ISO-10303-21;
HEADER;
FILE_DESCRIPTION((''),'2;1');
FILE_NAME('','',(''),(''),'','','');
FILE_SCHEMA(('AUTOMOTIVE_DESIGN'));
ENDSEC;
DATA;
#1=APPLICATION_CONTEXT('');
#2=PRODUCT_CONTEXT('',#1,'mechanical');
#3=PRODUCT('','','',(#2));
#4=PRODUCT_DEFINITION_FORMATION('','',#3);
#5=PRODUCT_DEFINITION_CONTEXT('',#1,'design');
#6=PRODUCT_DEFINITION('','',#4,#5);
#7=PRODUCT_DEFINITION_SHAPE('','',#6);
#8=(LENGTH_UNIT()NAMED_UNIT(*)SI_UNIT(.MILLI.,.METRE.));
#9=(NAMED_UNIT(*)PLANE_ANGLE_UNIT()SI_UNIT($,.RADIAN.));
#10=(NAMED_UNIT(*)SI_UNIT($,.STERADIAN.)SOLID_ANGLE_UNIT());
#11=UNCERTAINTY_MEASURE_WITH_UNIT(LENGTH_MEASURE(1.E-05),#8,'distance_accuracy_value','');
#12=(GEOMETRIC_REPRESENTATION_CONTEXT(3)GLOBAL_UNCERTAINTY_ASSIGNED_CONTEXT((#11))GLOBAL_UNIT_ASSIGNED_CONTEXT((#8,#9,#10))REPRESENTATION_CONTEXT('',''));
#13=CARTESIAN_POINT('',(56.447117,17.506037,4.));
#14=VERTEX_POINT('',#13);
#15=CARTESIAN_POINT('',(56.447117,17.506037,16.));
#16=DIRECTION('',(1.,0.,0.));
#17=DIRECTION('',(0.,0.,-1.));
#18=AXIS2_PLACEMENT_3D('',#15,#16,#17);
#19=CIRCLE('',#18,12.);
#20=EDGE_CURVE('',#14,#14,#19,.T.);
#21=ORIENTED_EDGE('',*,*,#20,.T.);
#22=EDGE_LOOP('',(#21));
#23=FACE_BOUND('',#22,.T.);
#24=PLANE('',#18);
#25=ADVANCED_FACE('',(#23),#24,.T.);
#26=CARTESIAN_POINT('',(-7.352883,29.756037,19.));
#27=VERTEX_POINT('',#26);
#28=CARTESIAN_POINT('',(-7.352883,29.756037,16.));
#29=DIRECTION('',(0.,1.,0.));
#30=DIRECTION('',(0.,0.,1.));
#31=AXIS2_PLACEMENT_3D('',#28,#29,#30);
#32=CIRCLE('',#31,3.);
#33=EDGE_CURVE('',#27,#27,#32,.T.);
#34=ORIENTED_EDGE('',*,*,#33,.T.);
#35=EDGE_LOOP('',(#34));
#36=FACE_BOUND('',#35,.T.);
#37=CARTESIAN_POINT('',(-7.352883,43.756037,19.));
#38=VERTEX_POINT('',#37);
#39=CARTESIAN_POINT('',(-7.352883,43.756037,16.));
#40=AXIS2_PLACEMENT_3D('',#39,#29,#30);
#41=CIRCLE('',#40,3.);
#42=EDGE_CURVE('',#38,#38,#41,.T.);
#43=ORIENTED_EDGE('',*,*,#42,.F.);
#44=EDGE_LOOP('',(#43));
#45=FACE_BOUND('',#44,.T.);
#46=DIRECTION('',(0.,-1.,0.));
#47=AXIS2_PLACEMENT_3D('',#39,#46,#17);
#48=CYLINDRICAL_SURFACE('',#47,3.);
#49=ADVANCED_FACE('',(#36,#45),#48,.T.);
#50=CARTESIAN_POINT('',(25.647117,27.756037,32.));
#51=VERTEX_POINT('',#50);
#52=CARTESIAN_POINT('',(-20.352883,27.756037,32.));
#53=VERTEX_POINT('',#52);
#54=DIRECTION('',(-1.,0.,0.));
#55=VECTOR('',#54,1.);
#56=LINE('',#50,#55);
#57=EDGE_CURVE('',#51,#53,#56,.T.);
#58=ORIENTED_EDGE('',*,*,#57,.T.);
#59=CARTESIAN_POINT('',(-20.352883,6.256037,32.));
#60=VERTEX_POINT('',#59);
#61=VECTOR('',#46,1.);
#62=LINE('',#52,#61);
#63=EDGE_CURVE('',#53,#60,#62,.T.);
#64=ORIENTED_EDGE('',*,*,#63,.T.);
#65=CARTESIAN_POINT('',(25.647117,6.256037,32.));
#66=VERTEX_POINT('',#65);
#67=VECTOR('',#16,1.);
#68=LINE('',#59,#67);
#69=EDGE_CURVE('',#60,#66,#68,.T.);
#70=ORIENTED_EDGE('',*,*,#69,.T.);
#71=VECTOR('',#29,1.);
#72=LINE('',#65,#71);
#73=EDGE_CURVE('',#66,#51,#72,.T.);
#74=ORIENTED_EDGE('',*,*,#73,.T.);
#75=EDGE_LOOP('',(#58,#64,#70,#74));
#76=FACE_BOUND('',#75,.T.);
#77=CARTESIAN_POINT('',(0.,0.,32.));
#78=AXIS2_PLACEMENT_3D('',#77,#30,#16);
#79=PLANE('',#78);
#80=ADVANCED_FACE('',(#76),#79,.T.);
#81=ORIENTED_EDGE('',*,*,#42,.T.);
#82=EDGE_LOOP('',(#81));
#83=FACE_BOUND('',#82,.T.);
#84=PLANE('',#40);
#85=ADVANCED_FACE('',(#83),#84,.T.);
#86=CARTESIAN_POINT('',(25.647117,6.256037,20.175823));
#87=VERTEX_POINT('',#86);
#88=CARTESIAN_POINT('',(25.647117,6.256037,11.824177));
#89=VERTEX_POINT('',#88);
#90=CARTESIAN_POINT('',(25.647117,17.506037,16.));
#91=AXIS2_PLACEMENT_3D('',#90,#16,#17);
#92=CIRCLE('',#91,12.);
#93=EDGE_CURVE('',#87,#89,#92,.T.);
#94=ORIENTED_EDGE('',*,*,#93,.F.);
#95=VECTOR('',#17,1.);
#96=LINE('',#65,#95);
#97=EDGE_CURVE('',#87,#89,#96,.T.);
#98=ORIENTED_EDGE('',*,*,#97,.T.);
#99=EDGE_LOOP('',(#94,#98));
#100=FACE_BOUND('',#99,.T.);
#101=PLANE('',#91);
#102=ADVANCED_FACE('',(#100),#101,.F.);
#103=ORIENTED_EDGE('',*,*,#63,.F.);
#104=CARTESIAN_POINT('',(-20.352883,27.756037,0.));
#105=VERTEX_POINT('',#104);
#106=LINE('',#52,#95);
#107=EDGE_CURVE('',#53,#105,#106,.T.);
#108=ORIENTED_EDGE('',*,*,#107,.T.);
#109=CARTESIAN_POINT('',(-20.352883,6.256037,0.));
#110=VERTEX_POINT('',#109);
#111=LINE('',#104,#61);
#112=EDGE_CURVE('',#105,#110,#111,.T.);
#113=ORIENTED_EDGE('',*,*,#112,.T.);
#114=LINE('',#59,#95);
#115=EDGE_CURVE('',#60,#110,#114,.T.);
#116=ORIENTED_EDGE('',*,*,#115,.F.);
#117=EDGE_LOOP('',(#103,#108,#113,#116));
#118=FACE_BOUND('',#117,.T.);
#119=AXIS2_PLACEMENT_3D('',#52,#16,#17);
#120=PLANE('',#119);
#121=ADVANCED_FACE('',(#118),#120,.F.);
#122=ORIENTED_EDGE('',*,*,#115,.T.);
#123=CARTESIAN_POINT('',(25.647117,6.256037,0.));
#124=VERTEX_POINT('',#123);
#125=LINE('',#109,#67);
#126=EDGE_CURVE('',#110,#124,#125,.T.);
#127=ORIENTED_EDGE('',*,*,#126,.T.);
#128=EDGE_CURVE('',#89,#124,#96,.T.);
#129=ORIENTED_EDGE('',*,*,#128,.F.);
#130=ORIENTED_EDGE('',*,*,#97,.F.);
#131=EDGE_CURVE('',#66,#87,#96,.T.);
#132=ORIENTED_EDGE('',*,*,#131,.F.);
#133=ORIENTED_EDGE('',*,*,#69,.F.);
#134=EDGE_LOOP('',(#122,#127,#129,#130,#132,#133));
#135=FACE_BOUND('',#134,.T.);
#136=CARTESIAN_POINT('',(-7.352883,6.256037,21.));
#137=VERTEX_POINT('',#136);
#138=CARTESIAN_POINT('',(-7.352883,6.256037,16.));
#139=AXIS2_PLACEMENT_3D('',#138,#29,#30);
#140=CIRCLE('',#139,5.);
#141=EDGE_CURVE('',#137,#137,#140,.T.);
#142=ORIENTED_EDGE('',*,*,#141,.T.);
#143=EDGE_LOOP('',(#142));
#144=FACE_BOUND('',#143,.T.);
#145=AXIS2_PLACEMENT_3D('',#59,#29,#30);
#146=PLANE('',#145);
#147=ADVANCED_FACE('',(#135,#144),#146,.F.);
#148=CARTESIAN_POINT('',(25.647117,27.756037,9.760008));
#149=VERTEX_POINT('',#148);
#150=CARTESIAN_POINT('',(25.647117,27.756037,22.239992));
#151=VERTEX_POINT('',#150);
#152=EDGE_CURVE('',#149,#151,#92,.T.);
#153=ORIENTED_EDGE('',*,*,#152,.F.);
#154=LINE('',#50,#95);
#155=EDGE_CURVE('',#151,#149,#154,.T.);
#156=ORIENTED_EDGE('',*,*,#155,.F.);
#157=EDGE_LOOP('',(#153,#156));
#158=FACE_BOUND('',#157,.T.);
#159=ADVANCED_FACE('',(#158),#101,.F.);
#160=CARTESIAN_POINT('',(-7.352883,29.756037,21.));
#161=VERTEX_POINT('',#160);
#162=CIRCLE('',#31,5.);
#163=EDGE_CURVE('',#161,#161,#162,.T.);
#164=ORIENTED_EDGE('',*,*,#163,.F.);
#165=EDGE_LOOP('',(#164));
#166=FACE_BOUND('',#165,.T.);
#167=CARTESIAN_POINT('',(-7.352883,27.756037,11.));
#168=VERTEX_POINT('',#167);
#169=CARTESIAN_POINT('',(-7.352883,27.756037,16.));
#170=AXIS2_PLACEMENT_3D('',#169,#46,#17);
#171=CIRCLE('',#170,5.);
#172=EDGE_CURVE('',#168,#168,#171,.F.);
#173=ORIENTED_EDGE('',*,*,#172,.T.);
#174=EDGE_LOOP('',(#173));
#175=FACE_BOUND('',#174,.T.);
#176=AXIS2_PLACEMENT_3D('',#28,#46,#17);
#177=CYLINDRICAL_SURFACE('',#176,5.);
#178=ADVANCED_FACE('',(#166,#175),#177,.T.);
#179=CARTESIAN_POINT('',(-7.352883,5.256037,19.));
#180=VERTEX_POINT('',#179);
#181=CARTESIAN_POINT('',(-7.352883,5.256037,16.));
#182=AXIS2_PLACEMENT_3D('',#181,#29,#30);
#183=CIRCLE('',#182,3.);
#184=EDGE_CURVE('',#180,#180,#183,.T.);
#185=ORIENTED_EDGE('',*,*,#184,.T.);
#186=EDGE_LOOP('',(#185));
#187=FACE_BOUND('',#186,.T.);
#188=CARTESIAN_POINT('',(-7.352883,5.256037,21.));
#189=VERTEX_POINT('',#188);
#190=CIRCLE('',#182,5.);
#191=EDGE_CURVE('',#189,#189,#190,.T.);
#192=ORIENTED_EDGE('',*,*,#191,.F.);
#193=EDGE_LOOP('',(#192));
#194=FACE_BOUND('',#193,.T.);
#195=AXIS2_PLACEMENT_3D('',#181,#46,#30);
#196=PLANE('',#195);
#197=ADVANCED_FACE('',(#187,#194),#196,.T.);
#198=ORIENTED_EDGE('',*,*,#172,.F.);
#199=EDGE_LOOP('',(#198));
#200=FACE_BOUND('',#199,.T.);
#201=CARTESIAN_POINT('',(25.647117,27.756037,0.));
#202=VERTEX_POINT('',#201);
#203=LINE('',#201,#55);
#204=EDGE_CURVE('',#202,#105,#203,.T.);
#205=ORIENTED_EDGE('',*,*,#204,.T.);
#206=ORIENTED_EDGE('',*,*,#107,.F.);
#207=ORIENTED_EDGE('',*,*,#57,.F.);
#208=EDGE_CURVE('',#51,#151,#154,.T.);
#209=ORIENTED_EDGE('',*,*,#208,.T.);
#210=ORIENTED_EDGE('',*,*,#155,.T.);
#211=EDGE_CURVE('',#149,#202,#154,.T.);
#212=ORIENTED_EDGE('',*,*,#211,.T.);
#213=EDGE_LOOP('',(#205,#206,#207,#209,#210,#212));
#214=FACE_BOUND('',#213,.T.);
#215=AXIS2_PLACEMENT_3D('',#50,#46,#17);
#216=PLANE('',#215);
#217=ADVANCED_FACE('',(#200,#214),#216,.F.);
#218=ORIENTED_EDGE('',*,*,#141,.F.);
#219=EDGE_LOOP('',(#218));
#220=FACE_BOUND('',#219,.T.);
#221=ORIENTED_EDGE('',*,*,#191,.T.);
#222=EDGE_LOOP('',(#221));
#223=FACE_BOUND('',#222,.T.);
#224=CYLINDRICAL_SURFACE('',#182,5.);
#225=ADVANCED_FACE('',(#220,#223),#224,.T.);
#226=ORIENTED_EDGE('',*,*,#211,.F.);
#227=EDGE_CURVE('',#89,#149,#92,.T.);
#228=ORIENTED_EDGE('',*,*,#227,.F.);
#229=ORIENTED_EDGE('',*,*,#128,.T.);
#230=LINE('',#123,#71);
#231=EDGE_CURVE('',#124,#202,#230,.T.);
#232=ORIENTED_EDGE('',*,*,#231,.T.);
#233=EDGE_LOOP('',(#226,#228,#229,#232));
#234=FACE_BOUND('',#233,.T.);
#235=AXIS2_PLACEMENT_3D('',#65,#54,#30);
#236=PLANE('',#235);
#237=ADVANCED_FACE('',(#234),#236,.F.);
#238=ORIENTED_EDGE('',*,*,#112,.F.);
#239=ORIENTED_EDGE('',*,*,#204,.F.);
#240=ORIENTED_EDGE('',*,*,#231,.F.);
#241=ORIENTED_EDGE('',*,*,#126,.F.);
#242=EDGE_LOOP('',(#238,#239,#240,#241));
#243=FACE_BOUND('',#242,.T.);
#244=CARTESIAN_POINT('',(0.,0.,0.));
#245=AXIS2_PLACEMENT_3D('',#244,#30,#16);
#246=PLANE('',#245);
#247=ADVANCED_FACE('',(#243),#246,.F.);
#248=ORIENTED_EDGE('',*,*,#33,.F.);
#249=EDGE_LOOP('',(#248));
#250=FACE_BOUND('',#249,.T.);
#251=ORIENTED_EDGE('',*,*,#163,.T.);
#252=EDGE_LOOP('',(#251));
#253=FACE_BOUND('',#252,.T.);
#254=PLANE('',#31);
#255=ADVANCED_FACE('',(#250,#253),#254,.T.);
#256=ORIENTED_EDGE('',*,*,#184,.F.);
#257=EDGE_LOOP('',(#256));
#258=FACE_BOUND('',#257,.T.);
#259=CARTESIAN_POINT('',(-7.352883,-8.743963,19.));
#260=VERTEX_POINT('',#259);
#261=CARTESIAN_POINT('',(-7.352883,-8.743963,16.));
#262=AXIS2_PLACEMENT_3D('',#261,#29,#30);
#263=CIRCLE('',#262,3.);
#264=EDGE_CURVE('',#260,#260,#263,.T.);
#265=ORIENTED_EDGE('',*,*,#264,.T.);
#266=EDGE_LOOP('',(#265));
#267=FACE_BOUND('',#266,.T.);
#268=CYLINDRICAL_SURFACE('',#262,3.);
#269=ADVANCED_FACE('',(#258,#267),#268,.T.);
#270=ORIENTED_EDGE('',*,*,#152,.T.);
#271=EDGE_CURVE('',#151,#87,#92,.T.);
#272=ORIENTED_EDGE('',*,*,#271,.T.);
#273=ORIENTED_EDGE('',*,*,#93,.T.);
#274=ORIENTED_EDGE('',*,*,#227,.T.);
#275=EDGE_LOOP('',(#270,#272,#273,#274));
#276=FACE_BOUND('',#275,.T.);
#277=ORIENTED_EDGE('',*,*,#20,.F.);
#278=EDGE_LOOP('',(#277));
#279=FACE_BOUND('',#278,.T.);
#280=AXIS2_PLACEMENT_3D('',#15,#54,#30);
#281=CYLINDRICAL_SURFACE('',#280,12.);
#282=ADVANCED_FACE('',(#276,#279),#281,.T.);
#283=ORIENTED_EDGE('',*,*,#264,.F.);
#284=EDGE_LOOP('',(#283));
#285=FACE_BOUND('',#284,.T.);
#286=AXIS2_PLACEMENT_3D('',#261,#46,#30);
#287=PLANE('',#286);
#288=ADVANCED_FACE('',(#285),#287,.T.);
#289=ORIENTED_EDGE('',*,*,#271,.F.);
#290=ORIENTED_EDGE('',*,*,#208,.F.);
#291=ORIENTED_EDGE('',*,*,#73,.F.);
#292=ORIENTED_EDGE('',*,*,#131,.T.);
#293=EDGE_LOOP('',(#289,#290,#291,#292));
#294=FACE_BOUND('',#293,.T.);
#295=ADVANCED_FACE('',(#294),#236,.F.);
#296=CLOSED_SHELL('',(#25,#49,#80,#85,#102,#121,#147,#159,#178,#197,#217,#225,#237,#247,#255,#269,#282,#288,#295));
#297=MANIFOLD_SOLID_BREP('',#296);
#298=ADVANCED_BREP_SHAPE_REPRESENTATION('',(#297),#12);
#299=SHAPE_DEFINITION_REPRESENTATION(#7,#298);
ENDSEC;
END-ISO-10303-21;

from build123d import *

# Parameters (mm, degrees)
SKETCH_2_W      = 46
SKETCH_2_H      = 21.5
EXTRUDE_1_DEPTH = 32
SKETCH_3_R      = 5
EXTRUDE_2_DEPTH = 2
SKETCH_4_R      = 3
EXTRUDE_3_DEPTH = 14
SKETCH_5_R      = 12
EXTRUDE_4_DEPTH = 30.8


with BuildPart() as part:
    # 草图2 → 凸台-拉伸1 (new body)
    with BuildSketch(Plane.XY):
        with Locations((2.647117171, 17.006037157)):
            Rectangle(SKETCH_2_W, SKETCH_2_H)
    extrude(amount=EXTRUDE_1_DEPTH)

    # 草图3 → 凸台-拉伸2 (add)
    with BuildSketch(Plane(origin=(0, 27.756037157, 0), x_dir=(1, 0, 0), z_dir=(0, 1, 0))):
        with Locations((-7.352882829, -16)):
            Circle(SKETCH_3_R)
    extrude_2 = extrude(amount=EXTRUDE_2_DEPTH)

    # 草图4 → 凸台-拉伸3 (add)
    with BuildSketch(Plane(origin=(0, 29.756037157, 0), x_dir=(1, 0, 0), z_dir=(0, 1, 0))):
        with Locations((-7.352882829, -16)):
            Circle(SKETCH_4_R)
    extrude_3 = extrude(amount=EXTRUDE_3_DEPTH)

    # 镜向1: 凸台-拉伸2, 凸台-拉伸3 across plane
    add(extrude_2.mirror(Plane.ZX.offset(17.506037157)))
    add(extrude_3.mirror(Plane.ZX.offset(17.506037157)))

    # 草图5 → 凸台-拉伸4 (add)
    with BuildSketch(Plane(origin=(25.647117171, 0, 0), x_dir=(0, 0, -1), z_dir=(1, 0, 0))):
        with Locations((-16, 17.506037157)):
            Circle(SKETCH_5_R)
    extrude(amount=EXTRUDE_4_DEPTH)


solid = part.part
